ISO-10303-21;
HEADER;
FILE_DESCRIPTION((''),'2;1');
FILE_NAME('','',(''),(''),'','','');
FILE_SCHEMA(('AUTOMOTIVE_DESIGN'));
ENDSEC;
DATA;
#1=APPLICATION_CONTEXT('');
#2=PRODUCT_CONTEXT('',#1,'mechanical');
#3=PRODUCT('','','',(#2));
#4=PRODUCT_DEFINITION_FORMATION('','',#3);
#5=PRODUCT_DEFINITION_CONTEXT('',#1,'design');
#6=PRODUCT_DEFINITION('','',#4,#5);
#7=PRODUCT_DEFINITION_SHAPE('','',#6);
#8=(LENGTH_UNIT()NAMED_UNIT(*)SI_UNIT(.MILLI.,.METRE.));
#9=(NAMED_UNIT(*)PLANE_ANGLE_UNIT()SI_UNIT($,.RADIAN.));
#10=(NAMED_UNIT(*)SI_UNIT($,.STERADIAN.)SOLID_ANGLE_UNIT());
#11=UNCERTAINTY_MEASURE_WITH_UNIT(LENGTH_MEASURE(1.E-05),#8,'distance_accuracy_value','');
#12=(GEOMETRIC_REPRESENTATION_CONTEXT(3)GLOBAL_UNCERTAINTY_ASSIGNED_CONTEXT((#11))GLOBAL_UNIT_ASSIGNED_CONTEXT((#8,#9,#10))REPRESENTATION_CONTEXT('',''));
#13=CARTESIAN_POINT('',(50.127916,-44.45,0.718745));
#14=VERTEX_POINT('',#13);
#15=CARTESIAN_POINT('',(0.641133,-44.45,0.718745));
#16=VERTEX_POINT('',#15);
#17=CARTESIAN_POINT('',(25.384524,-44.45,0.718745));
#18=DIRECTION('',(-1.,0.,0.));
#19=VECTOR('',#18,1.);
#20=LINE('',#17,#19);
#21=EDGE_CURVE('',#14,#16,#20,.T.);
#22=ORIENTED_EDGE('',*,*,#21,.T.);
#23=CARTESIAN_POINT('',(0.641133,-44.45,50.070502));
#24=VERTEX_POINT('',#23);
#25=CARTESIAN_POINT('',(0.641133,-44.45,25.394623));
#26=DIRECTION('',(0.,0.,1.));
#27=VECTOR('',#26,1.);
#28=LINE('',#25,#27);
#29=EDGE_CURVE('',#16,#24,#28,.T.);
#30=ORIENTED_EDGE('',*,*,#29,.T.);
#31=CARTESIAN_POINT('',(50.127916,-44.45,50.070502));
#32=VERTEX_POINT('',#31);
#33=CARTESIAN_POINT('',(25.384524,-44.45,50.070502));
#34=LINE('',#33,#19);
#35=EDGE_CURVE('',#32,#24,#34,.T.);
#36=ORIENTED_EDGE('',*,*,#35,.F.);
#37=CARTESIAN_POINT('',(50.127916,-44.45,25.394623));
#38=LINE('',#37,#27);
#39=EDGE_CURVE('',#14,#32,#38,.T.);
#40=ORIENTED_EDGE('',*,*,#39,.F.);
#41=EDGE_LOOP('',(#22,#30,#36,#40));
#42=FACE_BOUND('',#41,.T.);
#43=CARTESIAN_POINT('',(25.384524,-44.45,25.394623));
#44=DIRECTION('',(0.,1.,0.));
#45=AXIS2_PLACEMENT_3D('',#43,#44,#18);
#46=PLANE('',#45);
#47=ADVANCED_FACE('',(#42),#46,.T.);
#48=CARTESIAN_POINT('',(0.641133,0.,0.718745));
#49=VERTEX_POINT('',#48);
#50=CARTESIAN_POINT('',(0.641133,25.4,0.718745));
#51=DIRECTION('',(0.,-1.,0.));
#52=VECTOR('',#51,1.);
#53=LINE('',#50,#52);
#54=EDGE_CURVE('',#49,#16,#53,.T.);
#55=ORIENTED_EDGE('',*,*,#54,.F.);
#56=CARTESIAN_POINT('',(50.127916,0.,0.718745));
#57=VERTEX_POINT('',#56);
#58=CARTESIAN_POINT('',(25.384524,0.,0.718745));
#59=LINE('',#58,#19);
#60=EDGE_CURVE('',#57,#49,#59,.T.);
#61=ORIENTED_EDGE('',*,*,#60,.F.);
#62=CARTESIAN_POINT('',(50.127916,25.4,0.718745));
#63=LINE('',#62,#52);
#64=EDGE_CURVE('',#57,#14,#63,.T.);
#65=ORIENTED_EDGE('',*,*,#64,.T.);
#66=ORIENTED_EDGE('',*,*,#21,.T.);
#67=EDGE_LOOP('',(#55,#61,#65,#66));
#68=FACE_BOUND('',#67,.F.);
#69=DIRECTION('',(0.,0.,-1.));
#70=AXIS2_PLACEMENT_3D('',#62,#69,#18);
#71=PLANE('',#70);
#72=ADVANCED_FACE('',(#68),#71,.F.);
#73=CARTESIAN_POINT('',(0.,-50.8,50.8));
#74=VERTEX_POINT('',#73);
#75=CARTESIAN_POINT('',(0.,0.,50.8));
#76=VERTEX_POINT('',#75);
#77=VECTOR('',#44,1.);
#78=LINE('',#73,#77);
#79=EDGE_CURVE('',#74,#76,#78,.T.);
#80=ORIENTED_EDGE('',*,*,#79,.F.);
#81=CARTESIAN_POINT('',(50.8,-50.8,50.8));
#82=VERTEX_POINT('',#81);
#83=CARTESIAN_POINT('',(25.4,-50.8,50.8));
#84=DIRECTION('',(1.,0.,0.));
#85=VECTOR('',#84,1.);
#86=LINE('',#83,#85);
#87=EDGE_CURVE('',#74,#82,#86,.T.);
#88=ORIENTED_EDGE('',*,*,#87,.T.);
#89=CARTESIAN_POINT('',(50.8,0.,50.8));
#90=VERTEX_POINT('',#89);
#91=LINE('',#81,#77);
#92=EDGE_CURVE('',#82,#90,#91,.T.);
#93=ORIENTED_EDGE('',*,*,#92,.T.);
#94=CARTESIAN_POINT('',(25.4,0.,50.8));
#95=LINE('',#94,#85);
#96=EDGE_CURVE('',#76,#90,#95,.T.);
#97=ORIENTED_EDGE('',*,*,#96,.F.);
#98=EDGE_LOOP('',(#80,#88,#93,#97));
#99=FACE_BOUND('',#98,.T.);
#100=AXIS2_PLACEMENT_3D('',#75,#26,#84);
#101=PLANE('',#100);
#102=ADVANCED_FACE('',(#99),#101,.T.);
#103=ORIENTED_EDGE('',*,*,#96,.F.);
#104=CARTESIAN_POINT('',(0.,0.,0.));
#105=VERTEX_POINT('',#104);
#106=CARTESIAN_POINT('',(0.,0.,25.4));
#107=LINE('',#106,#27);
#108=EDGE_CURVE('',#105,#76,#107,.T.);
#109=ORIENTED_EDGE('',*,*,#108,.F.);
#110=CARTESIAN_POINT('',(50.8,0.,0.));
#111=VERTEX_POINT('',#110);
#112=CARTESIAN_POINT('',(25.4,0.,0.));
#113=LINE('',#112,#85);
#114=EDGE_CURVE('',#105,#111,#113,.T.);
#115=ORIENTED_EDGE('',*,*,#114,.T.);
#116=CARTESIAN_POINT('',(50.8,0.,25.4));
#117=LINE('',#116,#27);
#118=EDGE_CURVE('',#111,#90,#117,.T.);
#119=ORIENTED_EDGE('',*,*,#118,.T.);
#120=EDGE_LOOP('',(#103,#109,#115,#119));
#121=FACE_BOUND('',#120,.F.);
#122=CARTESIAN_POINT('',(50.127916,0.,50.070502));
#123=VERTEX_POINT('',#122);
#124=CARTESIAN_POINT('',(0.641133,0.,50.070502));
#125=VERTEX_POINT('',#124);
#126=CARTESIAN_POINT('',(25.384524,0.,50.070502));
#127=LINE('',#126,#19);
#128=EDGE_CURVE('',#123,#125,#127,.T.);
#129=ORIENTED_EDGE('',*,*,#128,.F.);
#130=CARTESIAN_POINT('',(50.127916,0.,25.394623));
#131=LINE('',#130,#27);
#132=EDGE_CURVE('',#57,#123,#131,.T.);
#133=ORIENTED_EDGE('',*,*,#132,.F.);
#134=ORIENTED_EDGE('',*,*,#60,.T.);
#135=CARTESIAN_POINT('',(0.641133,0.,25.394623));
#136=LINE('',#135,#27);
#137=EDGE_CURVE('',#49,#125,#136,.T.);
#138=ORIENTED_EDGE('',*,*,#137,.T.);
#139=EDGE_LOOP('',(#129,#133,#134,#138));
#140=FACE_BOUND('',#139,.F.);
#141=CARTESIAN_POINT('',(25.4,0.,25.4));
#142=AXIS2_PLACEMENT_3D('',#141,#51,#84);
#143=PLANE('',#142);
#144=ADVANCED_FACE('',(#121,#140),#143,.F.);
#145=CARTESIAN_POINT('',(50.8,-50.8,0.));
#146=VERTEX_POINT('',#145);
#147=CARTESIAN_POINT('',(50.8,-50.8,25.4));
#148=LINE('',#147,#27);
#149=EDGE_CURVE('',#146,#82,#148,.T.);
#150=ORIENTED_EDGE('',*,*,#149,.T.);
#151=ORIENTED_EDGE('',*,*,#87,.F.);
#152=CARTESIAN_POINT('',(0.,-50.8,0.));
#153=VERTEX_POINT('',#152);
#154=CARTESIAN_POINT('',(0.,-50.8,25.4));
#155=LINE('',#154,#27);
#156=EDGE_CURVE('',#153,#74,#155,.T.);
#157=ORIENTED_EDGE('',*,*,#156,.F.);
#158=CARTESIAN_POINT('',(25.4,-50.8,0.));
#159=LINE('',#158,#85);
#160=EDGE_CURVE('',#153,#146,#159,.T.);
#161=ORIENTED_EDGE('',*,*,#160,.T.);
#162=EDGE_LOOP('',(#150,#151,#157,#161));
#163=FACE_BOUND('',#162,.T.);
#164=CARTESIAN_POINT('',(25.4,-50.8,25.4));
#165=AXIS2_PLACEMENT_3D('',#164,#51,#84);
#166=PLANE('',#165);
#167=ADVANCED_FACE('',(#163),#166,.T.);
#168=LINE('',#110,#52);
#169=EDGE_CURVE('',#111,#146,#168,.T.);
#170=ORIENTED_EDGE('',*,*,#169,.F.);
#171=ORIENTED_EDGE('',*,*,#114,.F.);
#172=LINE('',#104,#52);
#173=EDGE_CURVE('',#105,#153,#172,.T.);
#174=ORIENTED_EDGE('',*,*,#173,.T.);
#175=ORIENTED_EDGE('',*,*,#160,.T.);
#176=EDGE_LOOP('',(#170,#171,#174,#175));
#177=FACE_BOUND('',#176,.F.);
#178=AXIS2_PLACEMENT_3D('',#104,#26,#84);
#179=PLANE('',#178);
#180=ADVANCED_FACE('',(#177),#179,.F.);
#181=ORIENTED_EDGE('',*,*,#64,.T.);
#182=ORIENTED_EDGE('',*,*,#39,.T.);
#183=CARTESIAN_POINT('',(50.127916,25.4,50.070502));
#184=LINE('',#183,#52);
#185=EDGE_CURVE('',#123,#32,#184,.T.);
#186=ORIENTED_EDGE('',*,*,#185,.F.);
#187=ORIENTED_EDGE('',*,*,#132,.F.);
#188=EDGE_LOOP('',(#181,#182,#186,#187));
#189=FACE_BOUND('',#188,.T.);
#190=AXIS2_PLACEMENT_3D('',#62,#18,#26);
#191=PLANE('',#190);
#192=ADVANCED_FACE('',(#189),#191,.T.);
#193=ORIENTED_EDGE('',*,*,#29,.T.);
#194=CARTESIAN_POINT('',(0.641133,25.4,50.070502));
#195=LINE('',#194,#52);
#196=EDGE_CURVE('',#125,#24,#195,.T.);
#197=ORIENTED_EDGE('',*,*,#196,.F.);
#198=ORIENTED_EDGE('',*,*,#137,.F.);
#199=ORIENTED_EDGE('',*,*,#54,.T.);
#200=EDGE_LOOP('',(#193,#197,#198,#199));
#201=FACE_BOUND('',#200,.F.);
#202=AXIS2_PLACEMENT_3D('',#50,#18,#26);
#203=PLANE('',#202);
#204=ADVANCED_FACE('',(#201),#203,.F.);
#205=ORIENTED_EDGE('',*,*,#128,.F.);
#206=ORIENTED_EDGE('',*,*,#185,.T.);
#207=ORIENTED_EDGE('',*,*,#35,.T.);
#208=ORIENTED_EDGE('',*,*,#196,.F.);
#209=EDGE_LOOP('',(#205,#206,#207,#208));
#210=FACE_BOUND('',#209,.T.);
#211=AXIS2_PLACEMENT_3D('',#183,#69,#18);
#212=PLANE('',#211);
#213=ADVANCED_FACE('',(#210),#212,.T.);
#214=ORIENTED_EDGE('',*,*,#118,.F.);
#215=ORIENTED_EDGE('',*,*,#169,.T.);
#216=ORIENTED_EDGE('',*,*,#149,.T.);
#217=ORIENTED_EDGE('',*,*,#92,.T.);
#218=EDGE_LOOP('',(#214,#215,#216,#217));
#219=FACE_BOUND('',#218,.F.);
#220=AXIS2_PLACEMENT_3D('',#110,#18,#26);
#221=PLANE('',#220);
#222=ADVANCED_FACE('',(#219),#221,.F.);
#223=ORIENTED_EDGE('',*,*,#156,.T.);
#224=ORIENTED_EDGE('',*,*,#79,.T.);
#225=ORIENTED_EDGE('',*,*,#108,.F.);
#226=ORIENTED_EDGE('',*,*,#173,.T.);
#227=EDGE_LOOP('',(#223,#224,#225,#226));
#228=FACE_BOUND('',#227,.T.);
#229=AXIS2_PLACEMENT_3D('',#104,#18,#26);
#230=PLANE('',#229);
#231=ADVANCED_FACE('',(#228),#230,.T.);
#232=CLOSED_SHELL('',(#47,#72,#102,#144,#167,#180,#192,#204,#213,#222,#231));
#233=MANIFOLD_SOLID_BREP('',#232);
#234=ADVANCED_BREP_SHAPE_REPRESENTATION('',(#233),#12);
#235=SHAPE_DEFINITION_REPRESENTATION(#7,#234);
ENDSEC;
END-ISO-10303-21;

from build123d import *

# Parameters (mm, degrees)
F0_W       = 50.8
F0_H       = 50.8
F1_DEPTH   = 50.8
F2_W       = 49.4867833913
F2_H       = 49.351756752
F1_FACE1_W = 50.8
F1_FACE1_H = 50.8
F3_DEPTH   = 25.4
F4_DEPTH   = 69.85


with BuildPart() as f1:
    # F0 (on Front) → F1 (new body)
    with BuildSketch(Plane.XZ):
        with Locations((25.4, 25.4)):
            Rectangle(F0_W, F0_H)
    extrude(amount=F1_DEPTH)

    # F2 (on face) + F1_face1 (on face) → F3 (join)
    with BuildSketch(Plane(origin=(0, 0, 0), x_dir=(-1, 0, 0), z_dir=(0, 1, 0))):
        with Locations((-25.3845243424, 25.394623488)):
            Rectangle(F2_W, F2_H)
    with BuildSketch(Plane(origin=(25.4, -50.8, 25.4), x_dir=(1, 0, 0), z_dir=(0, -1, 0))):
        Rectangle(F1_FACE1_W, F1_FACE1_H)
    extrude(amount=F3_DEPTH, dir=(0, 1, 0))

    # F4 (cut): a face of the model
    f4_faces = [f1.faces().sort_by_distance(p)[0] for p in [
        (25.3845243424, 25.4, 25.394623488),
    ]]
    extrude(f4_faces, amount=-F4_DEPTH, mode=Mode.SUBTRACT)


solid = f1.part
